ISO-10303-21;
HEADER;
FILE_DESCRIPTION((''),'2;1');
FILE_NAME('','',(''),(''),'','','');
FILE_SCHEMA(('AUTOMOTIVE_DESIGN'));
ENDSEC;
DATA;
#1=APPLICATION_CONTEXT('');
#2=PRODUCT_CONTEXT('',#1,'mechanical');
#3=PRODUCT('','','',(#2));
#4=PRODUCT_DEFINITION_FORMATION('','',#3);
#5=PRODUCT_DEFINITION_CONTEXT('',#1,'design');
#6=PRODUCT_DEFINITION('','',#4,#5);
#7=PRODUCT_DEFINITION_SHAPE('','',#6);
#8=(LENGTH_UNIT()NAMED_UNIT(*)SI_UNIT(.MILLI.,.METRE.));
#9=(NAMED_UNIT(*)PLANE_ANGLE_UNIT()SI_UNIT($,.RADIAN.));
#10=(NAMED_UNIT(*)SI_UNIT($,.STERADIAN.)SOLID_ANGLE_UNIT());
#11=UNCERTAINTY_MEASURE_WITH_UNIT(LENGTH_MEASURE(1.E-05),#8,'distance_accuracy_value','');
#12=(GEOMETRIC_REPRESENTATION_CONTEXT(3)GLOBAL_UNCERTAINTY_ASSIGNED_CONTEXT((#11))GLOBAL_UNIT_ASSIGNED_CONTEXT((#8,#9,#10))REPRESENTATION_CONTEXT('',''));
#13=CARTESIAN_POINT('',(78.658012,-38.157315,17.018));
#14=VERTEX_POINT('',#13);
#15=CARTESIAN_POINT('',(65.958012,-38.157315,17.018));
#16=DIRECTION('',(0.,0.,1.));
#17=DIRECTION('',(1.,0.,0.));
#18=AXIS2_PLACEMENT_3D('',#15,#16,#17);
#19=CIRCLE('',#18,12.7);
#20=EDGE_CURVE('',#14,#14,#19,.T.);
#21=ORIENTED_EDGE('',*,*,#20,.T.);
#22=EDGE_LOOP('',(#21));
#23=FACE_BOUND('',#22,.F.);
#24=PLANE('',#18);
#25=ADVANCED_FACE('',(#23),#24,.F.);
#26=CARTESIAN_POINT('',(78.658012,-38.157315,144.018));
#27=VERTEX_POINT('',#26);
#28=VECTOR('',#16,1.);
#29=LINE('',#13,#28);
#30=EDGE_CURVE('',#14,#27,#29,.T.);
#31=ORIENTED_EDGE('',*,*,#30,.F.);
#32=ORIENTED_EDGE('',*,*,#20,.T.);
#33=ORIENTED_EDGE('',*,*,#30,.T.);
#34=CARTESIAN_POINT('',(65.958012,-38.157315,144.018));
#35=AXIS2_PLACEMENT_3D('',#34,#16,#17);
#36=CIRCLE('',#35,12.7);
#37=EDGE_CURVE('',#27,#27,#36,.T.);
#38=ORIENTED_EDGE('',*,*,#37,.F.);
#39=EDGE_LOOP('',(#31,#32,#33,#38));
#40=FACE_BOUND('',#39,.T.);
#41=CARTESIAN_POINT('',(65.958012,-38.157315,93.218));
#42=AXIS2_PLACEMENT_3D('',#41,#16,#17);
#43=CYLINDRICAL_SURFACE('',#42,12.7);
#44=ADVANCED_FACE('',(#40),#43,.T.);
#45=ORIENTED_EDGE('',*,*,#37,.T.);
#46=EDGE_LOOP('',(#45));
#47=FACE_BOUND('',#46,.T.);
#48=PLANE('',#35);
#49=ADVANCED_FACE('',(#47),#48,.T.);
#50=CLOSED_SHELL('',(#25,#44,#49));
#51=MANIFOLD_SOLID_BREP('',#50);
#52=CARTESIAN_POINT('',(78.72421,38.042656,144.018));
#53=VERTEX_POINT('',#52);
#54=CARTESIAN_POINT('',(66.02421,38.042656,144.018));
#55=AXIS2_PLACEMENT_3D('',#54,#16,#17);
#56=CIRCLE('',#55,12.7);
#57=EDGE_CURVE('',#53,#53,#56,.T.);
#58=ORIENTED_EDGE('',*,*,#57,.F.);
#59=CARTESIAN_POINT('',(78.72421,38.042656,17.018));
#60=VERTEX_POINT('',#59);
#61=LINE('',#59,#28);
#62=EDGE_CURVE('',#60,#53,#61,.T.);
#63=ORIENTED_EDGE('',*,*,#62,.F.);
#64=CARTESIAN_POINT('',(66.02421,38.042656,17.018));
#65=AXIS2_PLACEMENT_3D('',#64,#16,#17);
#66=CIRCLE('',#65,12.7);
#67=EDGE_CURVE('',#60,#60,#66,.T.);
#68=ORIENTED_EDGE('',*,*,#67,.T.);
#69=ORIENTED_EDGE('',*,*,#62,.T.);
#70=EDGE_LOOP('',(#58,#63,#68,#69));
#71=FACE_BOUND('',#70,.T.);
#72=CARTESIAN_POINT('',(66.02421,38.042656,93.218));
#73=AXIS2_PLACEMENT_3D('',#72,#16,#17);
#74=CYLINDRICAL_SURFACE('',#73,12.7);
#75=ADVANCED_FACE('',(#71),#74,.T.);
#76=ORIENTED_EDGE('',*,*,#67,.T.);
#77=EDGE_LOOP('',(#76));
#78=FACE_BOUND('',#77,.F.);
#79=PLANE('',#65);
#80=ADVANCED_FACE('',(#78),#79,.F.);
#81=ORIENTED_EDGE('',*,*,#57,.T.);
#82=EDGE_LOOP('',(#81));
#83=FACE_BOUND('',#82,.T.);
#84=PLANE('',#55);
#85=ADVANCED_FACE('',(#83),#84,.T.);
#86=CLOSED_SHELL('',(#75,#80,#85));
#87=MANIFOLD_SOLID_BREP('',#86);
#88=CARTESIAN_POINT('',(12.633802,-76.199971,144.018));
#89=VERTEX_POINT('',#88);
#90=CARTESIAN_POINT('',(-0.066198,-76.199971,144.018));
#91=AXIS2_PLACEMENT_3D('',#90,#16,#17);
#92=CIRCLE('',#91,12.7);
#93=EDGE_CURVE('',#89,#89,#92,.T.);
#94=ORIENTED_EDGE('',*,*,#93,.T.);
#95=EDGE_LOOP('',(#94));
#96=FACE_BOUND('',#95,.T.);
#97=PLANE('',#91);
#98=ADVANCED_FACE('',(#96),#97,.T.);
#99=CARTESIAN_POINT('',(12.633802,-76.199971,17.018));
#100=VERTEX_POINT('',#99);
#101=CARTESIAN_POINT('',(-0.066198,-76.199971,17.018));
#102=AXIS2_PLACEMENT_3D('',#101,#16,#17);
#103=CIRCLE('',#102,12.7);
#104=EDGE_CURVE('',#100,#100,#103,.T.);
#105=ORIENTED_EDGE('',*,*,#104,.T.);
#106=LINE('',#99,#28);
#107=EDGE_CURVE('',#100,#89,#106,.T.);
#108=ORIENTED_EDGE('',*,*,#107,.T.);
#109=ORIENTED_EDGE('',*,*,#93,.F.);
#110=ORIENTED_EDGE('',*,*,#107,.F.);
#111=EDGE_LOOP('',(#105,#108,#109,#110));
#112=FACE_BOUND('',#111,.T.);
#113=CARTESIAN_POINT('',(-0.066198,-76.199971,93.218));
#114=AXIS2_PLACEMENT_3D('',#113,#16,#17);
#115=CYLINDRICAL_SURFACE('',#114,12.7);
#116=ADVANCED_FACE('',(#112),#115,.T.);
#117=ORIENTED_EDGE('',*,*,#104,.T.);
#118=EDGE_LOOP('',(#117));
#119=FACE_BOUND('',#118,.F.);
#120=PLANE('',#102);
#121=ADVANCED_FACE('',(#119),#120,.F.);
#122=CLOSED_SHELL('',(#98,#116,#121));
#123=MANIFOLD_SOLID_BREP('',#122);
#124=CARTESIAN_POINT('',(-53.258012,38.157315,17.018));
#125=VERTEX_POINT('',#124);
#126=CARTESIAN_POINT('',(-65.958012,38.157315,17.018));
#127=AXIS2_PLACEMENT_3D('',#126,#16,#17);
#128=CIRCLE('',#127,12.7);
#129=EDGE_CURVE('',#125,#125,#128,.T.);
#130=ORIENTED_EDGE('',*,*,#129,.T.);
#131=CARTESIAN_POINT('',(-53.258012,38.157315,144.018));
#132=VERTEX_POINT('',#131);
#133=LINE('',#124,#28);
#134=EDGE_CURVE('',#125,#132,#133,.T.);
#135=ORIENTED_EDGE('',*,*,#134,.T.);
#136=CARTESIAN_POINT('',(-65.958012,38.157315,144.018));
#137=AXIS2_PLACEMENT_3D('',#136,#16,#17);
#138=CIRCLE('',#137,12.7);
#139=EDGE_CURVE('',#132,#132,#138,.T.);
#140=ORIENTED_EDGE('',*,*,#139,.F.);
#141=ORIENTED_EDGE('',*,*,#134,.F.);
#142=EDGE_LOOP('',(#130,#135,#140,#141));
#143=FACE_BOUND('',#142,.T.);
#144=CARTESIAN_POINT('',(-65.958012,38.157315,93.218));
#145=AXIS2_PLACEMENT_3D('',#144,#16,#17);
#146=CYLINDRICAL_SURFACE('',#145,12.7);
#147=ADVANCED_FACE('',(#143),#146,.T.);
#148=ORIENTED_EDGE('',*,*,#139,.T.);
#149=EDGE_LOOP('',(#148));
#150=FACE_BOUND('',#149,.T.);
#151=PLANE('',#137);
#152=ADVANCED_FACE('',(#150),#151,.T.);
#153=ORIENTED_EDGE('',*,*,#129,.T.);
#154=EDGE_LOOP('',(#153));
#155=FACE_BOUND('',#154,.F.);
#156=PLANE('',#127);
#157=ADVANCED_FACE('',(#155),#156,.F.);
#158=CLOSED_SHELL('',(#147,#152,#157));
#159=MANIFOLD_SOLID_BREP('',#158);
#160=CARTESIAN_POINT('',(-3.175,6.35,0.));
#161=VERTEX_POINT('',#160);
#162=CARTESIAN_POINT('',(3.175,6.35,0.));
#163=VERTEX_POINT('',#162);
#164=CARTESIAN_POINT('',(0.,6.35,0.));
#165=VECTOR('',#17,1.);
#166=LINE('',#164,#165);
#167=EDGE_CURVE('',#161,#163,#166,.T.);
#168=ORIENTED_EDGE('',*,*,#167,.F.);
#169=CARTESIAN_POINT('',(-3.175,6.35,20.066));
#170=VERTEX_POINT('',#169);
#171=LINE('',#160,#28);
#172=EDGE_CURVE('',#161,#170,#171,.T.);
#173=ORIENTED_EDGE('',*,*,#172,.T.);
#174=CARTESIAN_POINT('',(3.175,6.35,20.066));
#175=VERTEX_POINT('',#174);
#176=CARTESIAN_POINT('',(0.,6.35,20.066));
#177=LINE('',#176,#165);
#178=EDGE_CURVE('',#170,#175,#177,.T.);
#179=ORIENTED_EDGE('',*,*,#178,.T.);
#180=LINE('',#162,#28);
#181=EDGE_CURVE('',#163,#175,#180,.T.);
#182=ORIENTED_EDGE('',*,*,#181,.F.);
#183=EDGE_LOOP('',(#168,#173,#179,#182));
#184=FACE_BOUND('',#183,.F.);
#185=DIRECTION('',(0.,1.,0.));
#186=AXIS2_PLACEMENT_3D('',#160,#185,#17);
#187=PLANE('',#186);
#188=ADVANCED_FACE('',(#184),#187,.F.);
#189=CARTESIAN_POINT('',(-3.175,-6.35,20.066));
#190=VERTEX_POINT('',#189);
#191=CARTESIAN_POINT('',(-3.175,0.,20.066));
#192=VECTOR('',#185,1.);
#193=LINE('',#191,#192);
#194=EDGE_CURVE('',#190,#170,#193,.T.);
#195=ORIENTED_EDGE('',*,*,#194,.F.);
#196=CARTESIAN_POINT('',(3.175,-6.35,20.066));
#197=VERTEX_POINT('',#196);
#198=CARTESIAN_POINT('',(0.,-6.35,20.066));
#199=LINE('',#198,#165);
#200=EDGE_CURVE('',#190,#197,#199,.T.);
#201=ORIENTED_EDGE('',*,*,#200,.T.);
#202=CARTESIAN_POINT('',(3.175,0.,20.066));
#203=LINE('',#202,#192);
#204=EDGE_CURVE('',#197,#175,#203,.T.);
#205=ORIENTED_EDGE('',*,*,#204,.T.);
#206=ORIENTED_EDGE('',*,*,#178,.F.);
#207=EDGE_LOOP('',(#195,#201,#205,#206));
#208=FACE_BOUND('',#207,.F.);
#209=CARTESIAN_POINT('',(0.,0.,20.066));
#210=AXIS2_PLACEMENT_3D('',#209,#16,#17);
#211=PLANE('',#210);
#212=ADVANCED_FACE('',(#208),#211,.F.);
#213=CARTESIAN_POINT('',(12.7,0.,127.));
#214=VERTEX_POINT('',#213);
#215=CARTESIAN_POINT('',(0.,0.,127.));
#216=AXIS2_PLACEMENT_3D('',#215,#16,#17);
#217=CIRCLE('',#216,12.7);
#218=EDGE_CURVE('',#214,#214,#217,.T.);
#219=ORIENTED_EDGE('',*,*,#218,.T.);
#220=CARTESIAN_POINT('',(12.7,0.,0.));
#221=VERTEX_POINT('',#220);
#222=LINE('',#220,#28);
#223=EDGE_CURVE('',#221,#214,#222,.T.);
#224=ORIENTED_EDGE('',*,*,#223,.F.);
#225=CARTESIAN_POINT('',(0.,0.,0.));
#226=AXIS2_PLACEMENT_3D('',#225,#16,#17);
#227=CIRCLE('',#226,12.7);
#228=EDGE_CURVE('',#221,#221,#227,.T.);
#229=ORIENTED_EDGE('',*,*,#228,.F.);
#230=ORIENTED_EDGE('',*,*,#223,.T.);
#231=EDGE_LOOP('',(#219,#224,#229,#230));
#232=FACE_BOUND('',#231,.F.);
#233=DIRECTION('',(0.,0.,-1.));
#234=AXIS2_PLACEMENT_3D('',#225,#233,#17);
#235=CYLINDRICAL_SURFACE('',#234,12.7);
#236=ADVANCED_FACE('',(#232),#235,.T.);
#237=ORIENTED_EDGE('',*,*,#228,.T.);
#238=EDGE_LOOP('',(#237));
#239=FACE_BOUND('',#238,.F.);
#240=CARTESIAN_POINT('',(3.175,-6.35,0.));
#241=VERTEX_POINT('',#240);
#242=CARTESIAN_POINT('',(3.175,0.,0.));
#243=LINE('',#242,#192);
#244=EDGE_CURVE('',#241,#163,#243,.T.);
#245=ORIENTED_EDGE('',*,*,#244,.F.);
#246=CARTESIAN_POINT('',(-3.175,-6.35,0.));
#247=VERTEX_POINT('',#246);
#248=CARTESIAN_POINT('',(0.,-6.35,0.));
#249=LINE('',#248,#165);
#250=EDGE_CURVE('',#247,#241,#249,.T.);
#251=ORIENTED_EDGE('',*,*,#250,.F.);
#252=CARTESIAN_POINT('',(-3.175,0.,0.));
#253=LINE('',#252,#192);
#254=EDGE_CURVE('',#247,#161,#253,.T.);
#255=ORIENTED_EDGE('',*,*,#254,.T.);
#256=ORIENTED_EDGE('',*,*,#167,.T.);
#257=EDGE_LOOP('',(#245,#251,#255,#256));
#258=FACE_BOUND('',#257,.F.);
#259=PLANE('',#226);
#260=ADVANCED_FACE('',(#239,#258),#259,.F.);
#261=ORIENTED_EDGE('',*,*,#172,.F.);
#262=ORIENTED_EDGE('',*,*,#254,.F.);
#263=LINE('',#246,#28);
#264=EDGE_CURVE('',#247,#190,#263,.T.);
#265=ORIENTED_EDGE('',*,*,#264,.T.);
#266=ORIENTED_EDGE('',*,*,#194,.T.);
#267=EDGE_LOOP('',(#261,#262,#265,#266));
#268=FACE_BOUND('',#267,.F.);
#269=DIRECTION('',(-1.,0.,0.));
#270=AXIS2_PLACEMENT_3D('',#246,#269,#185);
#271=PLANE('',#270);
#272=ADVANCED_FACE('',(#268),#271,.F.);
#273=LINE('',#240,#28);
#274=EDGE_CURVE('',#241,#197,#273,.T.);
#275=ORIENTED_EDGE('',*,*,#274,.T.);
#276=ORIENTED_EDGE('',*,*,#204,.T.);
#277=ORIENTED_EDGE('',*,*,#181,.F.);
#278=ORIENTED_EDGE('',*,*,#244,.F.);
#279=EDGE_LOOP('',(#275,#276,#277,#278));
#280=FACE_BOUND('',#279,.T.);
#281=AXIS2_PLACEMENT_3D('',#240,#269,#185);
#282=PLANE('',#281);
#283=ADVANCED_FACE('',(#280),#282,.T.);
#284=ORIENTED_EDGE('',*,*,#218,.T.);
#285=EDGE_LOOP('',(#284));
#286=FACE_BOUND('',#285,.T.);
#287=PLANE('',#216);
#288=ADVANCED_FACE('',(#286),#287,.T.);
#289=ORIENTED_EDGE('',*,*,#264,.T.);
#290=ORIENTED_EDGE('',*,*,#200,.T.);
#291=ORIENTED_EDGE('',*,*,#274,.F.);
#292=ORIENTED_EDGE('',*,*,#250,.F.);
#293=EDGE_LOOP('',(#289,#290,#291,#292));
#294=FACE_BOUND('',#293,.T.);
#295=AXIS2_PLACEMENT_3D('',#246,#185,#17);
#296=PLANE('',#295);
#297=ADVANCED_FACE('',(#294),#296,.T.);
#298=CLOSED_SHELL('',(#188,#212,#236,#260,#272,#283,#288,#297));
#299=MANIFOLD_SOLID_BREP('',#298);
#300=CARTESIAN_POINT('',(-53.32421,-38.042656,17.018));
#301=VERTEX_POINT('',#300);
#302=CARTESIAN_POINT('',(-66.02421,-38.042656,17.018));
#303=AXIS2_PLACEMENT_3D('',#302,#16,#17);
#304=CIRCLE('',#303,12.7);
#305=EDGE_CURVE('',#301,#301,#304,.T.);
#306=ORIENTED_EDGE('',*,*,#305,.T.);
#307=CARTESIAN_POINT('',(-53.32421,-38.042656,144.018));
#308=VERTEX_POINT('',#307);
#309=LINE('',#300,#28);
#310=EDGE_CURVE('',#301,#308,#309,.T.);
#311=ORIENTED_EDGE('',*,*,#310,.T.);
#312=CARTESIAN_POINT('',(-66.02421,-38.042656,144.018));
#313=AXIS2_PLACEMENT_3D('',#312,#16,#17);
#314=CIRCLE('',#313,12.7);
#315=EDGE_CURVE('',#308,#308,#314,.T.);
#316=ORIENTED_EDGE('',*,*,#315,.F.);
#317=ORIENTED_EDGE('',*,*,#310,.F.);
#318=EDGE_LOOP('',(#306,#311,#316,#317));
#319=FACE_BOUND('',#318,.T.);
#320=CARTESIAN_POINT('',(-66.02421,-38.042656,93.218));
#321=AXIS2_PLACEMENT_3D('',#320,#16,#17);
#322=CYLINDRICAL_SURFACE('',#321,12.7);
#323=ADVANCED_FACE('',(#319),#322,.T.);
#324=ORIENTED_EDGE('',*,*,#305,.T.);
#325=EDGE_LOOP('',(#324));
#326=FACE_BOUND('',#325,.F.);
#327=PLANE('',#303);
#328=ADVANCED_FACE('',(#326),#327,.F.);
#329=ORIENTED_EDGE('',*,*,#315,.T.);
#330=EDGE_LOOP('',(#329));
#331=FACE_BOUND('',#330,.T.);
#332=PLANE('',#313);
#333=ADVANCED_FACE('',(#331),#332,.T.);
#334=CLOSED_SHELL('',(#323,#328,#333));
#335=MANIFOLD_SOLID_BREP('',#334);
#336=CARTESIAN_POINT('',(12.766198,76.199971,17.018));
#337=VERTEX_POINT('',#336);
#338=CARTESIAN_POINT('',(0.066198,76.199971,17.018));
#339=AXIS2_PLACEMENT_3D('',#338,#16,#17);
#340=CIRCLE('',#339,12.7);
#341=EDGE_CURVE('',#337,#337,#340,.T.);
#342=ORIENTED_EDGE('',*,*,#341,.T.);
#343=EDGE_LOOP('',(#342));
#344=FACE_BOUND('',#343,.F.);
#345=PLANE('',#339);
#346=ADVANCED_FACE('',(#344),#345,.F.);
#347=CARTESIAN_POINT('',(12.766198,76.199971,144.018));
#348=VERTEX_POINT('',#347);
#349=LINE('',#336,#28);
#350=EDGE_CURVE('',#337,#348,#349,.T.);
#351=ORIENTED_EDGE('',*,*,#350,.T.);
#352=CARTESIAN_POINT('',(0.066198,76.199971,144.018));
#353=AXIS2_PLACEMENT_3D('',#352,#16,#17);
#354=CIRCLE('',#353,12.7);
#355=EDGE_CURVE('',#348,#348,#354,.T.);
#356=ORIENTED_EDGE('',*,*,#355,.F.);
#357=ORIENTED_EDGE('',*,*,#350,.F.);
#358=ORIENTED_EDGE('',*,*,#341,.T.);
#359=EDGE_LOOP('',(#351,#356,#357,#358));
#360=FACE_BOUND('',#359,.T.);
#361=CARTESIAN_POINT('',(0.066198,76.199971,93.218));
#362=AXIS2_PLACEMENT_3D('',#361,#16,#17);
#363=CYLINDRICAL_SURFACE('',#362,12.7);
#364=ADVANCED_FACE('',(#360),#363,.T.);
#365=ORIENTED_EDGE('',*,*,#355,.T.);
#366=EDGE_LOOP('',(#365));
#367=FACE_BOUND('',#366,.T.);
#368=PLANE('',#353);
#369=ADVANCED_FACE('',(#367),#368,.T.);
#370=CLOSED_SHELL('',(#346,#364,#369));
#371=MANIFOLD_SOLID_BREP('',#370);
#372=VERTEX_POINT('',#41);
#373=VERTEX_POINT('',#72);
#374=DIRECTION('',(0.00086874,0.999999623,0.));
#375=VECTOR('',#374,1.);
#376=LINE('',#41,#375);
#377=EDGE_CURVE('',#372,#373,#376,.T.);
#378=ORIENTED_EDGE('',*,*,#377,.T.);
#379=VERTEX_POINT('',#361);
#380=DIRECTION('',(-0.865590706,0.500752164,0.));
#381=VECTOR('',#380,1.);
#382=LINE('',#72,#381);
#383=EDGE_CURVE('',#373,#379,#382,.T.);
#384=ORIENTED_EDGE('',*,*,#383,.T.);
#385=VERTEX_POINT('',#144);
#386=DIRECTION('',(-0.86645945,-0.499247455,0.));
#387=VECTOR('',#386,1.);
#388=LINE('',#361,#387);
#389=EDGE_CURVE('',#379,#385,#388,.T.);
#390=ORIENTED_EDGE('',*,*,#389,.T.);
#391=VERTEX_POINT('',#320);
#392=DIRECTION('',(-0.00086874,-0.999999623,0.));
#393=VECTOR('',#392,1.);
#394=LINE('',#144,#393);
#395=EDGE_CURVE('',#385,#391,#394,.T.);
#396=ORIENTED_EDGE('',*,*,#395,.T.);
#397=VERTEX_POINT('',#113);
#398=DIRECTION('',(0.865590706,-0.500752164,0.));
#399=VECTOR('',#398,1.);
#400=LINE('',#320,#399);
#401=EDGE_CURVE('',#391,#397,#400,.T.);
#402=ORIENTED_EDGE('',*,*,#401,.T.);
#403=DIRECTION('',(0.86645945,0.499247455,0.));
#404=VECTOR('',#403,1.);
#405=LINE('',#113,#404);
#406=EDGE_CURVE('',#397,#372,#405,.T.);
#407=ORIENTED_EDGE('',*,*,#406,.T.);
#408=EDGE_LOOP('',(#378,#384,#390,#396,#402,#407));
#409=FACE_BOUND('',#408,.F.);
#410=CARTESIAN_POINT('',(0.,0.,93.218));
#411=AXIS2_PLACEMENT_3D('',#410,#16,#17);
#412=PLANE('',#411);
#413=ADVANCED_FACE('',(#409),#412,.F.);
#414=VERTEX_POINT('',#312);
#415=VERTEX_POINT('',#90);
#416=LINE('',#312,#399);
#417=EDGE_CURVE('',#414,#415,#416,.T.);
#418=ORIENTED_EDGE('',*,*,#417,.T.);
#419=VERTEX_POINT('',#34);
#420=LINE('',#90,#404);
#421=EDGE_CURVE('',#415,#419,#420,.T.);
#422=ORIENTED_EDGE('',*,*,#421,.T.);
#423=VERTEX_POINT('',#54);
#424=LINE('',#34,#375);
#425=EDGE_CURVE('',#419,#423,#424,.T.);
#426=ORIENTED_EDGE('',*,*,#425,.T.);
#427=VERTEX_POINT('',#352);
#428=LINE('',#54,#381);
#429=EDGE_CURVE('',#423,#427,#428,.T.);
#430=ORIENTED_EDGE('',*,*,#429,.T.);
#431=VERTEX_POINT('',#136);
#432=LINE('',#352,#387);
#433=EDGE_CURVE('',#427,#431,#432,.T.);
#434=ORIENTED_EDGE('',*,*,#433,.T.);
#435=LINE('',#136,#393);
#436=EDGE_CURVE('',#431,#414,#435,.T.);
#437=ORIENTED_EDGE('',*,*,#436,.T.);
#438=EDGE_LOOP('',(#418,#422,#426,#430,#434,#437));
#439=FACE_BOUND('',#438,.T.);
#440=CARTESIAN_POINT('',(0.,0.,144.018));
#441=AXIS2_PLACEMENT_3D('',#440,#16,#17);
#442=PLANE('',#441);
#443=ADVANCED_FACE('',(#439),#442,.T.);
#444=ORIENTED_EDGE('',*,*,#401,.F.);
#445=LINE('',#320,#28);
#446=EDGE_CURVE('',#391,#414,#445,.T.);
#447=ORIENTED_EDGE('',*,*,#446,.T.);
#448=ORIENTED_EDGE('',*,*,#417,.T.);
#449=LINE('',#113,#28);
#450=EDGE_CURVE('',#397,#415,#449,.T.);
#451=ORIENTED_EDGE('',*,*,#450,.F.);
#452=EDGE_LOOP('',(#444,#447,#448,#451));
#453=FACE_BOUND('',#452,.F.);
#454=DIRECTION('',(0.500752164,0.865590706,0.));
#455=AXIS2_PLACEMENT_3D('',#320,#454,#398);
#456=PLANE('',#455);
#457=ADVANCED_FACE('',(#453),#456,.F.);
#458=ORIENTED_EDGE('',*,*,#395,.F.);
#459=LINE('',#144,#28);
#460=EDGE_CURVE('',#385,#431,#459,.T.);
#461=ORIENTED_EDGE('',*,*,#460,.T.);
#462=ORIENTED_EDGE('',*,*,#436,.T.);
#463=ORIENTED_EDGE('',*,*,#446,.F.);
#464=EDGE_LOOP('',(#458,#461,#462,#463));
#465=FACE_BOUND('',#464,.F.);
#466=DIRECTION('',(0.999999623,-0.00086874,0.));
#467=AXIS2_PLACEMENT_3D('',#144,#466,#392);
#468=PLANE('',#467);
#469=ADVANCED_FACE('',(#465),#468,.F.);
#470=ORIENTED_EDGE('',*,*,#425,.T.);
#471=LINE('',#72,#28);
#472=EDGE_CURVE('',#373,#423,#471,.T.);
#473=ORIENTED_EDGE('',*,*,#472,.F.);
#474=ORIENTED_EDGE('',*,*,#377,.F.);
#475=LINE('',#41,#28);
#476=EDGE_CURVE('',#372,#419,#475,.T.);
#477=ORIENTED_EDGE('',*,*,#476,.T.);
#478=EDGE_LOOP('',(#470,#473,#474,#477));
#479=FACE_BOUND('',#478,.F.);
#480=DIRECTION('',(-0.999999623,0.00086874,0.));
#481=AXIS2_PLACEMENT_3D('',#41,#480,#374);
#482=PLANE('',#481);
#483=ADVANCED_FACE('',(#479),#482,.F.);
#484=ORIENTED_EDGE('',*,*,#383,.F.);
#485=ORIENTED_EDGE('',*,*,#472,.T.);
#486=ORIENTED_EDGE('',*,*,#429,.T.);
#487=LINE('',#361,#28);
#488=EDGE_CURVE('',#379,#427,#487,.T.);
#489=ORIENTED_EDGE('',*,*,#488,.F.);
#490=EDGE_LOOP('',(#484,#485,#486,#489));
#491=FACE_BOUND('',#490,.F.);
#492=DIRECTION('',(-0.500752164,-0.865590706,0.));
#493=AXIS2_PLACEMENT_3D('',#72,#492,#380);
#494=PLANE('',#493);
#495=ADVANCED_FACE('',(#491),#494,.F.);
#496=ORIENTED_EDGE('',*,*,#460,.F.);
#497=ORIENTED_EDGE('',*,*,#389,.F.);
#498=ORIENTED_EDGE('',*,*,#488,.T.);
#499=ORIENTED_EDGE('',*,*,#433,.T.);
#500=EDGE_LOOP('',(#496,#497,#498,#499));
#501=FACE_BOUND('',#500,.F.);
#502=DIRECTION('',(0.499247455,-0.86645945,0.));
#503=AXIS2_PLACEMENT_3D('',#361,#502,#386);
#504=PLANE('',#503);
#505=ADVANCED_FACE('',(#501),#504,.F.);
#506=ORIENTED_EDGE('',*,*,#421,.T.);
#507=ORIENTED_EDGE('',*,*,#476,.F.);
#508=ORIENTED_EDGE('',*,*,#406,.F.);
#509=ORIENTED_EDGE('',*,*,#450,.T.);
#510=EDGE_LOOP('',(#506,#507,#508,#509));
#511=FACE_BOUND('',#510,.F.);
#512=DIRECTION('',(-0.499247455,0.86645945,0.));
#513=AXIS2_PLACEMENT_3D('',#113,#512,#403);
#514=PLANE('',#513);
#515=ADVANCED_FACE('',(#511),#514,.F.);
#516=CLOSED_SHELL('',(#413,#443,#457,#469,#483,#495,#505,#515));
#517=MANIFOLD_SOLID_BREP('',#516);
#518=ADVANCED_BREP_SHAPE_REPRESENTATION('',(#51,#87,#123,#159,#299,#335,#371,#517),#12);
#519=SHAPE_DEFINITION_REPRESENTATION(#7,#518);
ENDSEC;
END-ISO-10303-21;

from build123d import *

# Parameters (mm, degrees)
F0_R          = 12.7
F1_DEPTH      = 127
F2_W          = 6.35
F2_H          = 12.7
F3_DEPTH      = 20.066
F6_R          = 12.7
F7_DEPTH      = 50.8
F7_DEPTH_BACK = 76.2
F8_DEPTH      = 50.8


with BuildPart() as f1:
    # F0 (on Top) → F1 (new body)
    with BuildSketch(Plane.XY):
        Circle(F0_R)
    extrude(amount=F1_DEPTH)

    # F2 (on Top) → F3 (cut)
    with BuildSketch(Plane.XY):
        Rectangle(F2_W, F2_H)
    extrude(amount=F3_DEPTH, mode=Mode.SUBTRACT)


with BuildPart() as f7:
    # F6 (on offset) → F7 (new body, two sides)
    with BuildSketch(Plane.XY.offset(93.218)) as f7_sk:
        with Locations((65.958012, -38.157315)):
            Circle(F6_R)
        with Locations((-0.066198, -76.199971)):
            Circle(F6_R)
        with Locations((-66.02421, -38.042656)):
            Circle(F6_R)
        with Locations((-65.958012, 38.157315)):
            Circle(F6_R)
        with Locations((0.066198, 76.199971)):
            Circle(F6_R)
        with Locations((66.02421, 38.042656)):
            Circle(F6_R)
    extrude(amount=F7_DEPTH)
    extrude(f7_sk.sketch, amount=-F7_DEPTH_BACK)


with BuildPart() as f8:
    # F5 (on offset) → F8 (new body)
    with BuildSketch(Plane.XY.offset(93.218)):
        Polygon((-0.066198, -76.199971), (65.958012, -38.157315), (66.02421, 38.042656), (0.066198, 76.199971), (-65.958012, 38.157315), (-66.02421, -38.042656), align=None)
    extrude(amount=F8_DEPTH)


solid = Compound([f1.part, f7.part, f8.part])
